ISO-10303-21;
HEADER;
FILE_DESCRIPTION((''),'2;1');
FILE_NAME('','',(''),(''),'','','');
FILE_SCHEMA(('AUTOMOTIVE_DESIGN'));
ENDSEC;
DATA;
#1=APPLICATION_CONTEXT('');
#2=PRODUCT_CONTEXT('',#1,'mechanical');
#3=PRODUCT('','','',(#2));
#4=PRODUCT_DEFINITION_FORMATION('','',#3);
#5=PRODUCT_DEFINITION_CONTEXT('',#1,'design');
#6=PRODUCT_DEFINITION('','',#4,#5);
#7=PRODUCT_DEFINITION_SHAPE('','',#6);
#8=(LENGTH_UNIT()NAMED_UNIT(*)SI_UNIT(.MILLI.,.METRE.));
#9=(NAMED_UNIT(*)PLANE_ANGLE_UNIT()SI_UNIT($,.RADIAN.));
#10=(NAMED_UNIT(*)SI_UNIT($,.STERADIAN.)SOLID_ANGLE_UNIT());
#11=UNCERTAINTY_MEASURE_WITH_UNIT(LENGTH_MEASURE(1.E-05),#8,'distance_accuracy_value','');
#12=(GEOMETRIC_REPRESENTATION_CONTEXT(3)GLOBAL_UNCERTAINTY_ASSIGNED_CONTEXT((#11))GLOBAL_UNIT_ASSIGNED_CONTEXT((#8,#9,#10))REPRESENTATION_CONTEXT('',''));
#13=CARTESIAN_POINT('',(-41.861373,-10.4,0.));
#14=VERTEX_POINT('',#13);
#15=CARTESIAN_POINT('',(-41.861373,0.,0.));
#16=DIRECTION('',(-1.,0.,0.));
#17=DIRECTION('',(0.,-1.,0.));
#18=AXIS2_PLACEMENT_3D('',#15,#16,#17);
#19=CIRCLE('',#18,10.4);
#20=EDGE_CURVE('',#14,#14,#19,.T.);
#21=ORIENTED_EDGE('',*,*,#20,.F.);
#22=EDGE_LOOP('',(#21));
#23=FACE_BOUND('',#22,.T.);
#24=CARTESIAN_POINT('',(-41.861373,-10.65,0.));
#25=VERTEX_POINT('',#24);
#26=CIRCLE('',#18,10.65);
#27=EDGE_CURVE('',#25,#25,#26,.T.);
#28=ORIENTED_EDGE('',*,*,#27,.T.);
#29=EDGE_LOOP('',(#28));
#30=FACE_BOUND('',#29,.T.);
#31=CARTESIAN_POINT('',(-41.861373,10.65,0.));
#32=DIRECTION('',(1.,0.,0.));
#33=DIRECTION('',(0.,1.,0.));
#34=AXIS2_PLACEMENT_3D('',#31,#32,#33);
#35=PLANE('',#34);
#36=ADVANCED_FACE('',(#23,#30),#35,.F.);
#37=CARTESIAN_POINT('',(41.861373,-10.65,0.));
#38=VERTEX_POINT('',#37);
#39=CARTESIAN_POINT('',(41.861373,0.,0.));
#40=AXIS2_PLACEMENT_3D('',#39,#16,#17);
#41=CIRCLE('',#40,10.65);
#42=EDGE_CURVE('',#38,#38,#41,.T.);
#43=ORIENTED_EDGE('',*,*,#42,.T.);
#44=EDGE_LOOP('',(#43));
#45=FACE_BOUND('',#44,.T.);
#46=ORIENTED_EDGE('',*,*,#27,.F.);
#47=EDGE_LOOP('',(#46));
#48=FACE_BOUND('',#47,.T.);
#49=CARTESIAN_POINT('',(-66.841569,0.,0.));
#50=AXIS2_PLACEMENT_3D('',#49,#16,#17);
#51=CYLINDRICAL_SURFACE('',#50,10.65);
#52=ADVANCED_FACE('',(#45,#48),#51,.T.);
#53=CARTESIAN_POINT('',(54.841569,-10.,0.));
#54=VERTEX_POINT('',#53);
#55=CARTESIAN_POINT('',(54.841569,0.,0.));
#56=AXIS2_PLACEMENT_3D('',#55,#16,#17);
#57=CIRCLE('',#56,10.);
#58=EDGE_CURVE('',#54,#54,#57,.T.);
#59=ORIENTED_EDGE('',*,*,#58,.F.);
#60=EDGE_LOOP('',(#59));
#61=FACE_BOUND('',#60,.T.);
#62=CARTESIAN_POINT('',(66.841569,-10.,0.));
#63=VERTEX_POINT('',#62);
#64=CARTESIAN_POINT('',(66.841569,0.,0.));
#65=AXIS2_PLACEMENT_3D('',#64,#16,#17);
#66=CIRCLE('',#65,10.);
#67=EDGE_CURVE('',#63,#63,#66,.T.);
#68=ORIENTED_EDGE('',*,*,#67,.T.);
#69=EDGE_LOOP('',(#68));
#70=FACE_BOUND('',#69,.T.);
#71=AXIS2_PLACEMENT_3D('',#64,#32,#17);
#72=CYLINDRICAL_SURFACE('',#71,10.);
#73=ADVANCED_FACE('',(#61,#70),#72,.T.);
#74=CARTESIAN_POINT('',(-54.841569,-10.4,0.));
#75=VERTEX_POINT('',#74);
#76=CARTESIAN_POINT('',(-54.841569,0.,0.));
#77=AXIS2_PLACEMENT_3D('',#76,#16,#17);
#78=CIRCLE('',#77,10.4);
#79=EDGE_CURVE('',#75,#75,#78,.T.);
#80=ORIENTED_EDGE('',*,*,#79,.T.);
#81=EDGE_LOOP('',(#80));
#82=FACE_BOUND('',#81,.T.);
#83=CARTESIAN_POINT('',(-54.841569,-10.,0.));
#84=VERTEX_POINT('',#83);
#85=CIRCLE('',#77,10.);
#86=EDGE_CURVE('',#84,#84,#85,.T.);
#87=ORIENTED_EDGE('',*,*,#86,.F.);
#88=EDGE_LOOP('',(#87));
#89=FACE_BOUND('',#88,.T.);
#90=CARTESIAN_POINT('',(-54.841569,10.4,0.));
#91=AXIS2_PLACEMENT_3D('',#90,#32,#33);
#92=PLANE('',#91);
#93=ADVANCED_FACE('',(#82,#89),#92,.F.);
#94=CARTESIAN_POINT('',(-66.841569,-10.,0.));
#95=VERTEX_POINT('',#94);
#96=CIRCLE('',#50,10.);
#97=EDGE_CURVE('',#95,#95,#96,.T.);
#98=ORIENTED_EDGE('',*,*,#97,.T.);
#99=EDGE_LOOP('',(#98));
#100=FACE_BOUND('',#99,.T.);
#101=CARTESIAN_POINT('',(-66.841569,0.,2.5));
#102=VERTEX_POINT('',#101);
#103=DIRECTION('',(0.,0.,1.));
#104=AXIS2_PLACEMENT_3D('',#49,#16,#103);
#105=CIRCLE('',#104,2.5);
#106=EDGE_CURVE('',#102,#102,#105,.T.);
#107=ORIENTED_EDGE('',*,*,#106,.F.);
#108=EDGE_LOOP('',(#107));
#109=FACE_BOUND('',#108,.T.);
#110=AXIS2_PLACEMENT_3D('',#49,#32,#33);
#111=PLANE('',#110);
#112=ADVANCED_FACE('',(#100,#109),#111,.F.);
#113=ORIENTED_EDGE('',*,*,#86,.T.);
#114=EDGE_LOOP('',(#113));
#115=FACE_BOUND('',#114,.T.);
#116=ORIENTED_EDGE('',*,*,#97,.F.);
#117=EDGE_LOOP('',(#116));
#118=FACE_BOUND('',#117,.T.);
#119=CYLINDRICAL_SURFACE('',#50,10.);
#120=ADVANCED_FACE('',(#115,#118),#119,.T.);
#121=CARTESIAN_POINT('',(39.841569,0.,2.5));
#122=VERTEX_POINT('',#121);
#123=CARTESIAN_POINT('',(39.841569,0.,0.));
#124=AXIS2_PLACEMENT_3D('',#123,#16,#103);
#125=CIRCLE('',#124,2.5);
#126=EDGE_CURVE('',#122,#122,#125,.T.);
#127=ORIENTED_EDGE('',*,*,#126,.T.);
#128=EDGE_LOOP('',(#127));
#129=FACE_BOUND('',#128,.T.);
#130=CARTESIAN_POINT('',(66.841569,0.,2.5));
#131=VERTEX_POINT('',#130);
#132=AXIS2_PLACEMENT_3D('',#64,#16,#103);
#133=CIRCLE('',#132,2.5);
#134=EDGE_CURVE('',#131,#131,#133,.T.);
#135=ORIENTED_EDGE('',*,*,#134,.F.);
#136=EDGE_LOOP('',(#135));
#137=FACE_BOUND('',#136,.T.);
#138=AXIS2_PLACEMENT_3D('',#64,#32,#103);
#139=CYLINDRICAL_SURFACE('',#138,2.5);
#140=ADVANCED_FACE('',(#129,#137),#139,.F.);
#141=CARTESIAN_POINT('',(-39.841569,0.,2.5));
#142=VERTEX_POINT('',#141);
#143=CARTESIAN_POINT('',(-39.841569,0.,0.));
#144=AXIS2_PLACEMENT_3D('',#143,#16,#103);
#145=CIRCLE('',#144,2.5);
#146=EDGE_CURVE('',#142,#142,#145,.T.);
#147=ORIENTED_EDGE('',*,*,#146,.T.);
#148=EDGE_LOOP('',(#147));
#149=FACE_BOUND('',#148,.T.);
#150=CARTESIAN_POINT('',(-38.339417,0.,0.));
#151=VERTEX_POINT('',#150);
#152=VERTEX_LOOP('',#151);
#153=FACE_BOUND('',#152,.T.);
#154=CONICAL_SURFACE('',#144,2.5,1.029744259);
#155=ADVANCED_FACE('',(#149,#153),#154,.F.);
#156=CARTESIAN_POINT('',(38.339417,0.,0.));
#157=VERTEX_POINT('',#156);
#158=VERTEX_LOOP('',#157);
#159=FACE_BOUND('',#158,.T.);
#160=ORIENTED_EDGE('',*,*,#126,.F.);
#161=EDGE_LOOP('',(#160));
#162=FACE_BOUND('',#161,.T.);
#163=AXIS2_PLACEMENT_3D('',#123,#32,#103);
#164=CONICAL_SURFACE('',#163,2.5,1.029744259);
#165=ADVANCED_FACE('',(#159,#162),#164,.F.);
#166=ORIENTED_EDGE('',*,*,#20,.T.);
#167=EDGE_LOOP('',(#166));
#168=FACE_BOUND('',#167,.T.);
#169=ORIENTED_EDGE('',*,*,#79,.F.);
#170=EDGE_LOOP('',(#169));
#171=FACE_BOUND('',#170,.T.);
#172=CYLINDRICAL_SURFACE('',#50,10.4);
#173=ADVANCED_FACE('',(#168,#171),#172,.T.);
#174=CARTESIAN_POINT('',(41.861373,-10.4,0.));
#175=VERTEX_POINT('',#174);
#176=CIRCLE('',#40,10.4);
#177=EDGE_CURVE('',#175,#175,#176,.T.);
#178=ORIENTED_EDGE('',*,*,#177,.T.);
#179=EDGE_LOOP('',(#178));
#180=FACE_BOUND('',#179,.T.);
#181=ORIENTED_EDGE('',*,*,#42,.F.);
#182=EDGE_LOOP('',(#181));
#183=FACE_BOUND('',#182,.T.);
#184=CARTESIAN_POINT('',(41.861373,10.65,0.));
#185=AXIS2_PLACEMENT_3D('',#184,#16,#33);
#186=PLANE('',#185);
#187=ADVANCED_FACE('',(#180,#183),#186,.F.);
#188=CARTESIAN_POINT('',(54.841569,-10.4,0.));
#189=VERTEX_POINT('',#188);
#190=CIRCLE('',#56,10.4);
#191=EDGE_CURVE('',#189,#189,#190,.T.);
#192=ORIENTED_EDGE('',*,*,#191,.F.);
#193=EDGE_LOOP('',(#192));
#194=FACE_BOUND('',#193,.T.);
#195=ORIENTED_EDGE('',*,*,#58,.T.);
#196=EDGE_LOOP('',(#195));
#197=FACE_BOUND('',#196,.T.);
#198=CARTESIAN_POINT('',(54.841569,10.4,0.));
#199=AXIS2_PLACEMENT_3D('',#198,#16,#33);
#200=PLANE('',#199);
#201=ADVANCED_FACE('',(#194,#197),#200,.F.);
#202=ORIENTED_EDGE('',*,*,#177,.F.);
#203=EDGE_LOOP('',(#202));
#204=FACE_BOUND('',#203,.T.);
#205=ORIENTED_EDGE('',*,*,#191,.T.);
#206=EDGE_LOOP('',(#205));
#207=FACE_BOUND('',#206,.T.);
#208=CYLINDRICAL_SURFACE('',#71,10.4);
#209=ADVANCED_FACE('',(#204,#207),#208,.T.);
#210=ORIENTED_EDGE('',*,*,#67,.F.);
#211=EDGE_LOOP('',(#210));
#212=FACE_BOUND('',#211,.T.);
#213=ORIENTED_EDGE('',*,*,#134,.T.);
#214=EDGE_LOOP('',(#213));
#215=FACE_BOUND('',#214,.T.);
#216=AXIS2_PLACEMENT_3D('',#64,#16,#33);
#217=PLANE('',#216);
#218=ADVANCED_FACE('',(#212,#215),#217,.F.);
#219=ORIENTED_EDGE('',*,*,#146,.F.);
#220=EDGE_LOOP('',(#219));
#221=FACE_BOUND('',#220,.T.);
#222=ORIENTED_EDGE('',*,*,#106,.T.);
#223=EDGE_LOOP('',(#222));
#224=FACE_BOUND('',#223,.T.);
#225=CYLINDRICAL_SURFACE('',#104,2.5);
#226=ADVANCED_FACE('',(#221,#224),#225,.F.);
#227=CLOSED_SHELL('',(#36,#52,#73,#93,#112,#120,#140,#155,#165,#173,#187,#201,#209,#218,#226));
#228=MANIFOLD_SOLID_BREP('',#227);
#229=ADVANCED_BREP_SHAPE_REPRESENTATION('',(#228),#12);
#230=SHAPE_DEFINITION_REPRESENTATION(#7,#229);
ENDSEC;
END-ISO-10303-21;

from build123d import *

# Parameters (mm, degrees)
HOLE_WIZARD_M61_D     = 5
HOLE_WIZARD_M61_DEPTH = 27
HOLE_WIZARD_M61_TIP   = 1.502151548


with BuildPart() as part:
    # Эскиз1 → Повернуть1 (revolve)
    with BuildSketch(Plane.XY):
        Polygon((0, 0), (0, 10.65), (-41.861372681, 10.65), (-41.861372681, 10.4), (-54.841568778, 10.4), (-54.841568778, 10), (-66.841568778, 10), (-66.841568778, 0), align=None)
    revolve(axis=Axis((-66.841568778, 0, 0), (1, 0, 0)))

    # Отверстие обработанное метчиком M61
    with Locations(Plane.ZY.offset(66.841568778)):
        with Locations((0, 0)):
            Hole(HOLE_WIZARD_M61_D / 2, depth=HOLE_WIZARD_M61_DEPTH)
            with Locations((0, 0, -(HOLE_WIZARD_M61_DEPTH + HOLE_WIZARD_M61_TIP / 2))):  # 118° drill point
                Cone(0, HOLE_WIZARD_M61_D / 2, HOLE_WIZARD_M61_TIP, mode=Mode.SUBTRACT)

    # Зеркальное отражение1: part across plane


with BuildPart() as part_1:
    add(part.part)
    add(part.part.mirror(Plane.ZY))


solid = part_1.part
